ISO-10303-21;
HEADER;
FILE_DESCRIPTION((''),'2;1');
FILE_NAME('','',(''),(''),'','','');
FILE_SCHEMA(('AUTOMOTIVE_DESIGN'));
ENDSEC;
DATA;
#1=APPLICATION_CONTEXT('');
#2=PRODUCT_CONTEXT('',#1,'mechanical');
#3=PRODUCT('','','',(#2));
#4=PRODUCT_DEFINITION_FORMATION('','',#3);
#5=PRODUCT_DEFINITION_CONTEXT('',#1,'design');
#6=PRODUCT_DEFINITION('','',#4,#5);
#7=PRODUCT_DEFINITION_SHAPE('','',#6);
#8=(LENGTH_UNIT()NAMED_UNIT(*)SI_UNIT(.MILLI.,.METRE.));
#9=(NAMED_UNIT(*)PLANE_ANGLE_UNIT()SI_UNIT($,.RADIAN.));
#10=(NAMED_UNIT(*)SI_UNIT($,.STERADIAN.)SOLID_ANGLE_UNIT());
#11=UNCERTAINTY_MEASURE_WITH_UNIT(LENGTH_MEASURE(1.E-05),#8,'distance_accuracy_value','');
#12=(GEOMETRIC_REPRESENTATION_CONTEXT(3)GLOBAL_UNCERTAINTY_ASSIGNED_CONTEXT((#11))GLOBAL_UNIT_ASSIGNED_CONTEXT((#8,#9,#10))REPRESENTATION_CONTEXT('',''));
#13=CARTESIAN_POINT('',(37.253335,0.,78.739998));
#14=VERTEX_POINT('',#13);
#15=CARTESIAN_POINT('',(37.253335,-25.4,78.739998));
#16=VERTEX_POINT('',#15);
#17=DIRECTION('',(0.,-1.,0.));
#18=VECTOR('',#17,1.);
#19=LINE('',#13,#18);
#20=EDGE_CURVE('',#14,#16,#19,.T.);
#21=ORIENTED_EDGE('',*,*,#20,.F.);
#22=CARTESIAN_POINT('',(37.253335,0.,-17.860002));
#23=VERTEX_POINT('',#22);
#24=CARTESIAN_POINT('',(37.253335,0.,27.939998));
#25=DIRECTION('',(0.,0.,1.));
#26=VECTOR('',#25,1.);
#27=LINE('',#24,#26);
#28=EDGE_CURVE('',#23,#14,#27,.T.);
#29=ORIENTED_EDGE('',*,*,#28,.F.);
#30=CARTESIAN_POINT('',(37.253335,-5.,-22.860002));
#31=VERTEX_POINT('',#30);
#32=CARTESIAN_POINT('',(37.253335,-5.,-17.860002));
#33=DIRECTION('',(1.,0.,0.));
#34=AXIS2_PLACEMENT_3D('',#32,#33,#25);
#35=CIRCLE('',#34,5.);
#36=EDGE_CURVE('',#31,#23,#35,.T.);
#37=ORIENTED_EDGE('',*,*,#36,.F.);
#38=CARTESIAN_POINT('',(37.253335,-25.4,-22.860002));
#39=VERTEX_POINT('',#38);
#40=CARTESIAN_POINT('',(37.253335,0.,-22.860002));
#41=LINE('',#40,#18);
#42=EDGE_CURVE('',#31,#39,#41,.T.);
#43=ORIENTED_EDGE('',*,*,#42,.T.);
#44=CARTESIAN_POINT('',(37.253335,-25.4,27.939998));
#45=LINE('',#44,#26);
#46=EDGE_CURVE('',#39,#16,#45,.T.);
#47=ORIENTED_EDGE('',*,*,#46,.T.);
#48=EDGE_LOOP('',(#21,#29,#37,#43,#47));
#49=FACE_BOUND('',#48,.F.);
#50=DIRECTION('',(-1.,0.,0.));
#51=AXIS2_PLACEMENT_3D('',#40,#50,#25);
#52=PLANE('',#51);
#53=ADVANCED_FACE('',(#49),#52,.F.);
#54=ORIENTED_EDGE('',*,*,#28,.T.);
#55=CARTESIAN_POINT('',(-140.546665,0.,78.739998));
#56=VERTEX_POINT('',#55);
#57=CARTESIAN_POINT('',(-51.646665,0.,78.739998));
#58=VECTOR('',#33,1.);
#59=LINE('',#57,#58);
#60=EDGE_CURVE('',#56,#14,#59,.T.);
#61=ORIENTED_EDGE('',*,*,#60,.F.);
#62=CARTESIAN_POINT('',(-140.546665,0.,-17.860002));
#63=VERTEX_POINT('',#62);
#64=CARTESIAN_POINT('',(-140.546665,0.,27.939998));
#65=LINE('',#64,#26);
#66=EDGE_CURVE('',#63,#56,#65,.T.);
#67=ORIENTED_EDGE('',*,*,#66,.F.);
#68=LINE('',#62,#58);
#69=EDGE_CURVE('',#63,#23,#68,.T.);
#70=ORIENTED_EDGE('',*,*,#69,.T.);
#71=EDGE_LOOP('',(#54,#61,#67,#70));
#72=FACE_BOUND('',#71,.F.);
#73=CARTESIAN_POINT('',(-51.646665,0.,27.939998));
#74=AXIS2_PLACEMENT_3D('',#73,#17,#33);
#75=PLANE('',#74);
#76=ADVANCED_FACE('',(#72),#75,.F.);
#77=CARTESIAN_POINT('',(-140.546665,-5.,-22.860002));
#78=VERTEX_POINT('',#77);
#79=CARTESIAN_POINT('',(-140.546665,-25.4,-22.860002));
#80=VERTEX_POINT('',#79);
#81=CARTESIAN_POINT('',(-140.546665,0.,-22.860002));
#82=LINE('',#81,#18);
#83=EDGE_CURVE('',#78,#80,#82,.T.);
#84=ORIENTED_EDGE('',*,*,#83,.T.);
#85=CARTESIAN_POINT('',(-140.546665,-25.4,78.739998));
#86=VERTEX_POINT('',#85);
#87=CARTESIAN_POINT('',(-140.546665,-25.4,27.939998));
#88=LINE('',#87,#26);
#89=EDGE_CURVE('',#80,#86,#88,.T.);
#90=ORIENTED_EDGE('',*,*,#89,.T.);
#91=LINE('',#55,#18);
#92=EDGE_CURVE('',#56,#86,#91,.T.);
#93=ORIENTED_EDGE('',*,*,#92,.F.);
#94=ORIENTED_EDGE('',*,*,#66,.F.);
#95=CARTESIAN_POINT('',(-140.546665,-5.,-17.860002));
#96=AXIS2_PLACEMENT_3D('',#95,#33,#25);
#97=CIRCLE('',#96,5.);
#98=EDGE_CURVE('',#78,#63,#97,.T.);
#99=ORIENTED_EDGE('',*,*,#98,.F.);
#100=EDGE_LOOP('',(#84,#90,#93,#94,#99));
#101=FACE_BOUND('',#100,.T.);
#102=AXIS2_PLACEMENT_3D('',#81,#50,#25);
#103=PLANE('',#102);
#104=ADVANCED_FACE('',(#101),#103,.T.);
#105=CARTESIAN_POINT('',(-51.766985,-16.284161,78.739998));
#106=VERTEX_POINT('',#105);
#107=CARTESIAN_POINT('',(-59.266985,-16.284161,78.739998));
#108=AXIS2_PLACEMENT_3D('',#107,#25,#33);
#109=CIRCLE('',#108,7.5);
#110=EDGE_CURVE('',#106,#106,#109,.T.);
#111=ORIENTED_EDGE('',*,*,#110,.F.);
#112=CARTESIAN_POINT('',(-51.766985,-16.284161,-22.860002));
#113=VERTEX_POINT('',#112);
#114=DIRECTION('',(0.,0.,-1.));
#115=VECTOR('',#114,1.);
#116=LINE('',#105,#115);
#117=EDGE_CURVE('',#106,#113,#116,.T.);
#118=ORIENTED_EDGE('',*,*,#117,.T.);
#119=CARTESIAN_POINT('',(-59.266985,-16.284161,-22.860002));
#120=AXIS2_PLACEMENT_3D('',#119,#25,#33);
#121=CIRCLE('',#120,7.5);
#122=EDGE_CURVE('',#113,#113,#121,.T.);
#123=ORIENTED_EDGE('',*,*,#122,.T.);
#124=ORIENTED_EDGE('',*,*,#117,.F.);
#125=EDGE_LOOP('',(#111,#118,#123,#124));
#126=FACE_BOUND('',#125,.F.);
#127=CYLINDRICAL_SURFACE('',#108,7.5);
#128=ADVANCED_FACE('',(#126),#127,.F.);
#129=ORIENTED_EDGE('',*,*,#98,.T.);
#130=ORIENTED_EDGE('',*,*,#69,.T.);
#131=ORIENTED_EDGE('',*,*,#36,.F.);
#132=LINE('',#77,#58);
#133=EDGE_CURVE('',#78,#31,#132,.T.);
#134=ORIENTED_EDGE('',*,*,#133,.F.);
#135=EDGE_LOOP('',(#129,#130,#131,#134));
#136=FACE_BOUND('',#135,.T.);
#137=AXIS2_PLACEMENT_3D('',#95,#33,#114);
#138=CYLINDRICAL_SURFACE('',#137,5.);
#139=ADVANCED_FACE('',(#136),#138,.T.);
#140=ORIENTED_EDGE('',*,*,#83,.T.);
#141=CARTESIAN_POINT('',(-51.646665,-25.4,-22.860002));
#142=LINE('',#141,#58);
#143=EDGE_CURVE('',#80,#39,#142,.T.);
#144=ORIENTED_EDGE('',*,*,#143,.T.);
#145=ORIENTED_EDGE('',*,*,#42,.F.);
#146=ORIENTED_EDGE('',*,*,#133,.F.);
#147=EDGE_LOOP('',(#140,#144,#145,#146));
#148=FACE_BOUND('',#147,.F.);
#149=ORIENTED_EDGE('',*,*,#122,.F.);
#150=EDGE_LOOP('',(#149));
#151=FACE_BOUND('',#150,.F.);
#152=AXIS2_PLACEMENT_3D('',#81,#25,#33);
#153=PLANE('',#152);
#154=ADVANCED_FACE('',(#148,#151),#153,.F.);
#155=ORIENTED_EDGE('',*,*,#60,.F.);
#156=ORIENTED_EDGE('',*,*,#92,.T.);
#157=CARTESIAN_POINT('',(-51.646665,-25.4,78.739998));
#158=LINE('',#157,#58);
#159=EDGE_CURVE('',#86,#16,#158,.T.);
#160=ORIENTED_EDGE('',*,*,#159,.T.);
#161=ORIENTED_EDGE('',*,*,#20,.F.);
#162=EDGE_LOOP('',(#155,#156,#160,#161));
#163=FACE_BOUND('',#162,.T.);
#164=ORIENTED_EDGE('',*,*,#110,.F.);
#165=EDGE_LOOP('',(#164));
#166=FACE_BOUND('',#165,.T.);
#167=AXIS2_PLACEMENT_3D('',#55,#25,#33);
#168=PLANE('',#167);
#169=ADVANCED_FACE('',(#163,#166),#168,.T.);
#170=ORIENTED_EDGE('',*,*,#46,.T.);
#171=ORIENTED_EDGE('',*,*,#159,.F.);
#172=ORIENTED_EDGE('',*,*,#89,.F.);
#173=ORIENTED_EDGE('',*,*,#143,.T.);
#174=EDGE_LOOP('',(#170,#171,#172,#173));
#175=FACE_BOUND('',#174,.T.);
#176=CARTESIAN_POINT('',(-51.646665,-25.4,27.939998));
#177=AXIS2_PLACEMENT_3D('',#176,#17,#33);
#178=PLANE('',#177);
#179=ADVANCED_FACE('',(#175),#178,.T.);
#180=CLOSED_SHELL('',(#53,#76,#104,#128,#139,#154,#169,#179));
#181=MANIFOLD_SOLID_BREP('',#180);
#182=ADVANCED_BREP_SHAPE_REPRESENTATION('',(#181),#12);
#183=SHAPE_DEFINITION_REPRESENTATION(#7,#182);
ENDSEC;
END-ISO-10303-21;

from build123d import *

# Parameters (mm, degrees)
F0_W     = 177.8
F0_H     = 101.6
F1_DEPTH = 25.4
F2_R     = 7.5
F3_DEPTH = 150
F4_R     = 5


with BuildPart() as f1:
    # F0 (on Front) → F1 (new body)
    with BuildSketch(Plane.XZ):
        with Locations((-51.646665, 27.939998)):
            Rectangle(F0_W, F0_H)
    extrude(amount=F1_DEPTH)

    # F2 (on face) → F3 (cut)
    with BuildSketch(Plane.XY.offset(78.739998)):
        with Locations((-59.266985, -16.284161)):
            Circle(F2_R)
    extrude(amount=-F3_DEPTH, mode=Mode.SUBTRACT)

    # F4
    f4_edges = [f1.edges().sort_by_distance(p)[0] for p in [
        (-51.646665, 0, -22.860002),
    ]]
    fillet(f4_edges, radius=F4_R)


solid = f1.part
